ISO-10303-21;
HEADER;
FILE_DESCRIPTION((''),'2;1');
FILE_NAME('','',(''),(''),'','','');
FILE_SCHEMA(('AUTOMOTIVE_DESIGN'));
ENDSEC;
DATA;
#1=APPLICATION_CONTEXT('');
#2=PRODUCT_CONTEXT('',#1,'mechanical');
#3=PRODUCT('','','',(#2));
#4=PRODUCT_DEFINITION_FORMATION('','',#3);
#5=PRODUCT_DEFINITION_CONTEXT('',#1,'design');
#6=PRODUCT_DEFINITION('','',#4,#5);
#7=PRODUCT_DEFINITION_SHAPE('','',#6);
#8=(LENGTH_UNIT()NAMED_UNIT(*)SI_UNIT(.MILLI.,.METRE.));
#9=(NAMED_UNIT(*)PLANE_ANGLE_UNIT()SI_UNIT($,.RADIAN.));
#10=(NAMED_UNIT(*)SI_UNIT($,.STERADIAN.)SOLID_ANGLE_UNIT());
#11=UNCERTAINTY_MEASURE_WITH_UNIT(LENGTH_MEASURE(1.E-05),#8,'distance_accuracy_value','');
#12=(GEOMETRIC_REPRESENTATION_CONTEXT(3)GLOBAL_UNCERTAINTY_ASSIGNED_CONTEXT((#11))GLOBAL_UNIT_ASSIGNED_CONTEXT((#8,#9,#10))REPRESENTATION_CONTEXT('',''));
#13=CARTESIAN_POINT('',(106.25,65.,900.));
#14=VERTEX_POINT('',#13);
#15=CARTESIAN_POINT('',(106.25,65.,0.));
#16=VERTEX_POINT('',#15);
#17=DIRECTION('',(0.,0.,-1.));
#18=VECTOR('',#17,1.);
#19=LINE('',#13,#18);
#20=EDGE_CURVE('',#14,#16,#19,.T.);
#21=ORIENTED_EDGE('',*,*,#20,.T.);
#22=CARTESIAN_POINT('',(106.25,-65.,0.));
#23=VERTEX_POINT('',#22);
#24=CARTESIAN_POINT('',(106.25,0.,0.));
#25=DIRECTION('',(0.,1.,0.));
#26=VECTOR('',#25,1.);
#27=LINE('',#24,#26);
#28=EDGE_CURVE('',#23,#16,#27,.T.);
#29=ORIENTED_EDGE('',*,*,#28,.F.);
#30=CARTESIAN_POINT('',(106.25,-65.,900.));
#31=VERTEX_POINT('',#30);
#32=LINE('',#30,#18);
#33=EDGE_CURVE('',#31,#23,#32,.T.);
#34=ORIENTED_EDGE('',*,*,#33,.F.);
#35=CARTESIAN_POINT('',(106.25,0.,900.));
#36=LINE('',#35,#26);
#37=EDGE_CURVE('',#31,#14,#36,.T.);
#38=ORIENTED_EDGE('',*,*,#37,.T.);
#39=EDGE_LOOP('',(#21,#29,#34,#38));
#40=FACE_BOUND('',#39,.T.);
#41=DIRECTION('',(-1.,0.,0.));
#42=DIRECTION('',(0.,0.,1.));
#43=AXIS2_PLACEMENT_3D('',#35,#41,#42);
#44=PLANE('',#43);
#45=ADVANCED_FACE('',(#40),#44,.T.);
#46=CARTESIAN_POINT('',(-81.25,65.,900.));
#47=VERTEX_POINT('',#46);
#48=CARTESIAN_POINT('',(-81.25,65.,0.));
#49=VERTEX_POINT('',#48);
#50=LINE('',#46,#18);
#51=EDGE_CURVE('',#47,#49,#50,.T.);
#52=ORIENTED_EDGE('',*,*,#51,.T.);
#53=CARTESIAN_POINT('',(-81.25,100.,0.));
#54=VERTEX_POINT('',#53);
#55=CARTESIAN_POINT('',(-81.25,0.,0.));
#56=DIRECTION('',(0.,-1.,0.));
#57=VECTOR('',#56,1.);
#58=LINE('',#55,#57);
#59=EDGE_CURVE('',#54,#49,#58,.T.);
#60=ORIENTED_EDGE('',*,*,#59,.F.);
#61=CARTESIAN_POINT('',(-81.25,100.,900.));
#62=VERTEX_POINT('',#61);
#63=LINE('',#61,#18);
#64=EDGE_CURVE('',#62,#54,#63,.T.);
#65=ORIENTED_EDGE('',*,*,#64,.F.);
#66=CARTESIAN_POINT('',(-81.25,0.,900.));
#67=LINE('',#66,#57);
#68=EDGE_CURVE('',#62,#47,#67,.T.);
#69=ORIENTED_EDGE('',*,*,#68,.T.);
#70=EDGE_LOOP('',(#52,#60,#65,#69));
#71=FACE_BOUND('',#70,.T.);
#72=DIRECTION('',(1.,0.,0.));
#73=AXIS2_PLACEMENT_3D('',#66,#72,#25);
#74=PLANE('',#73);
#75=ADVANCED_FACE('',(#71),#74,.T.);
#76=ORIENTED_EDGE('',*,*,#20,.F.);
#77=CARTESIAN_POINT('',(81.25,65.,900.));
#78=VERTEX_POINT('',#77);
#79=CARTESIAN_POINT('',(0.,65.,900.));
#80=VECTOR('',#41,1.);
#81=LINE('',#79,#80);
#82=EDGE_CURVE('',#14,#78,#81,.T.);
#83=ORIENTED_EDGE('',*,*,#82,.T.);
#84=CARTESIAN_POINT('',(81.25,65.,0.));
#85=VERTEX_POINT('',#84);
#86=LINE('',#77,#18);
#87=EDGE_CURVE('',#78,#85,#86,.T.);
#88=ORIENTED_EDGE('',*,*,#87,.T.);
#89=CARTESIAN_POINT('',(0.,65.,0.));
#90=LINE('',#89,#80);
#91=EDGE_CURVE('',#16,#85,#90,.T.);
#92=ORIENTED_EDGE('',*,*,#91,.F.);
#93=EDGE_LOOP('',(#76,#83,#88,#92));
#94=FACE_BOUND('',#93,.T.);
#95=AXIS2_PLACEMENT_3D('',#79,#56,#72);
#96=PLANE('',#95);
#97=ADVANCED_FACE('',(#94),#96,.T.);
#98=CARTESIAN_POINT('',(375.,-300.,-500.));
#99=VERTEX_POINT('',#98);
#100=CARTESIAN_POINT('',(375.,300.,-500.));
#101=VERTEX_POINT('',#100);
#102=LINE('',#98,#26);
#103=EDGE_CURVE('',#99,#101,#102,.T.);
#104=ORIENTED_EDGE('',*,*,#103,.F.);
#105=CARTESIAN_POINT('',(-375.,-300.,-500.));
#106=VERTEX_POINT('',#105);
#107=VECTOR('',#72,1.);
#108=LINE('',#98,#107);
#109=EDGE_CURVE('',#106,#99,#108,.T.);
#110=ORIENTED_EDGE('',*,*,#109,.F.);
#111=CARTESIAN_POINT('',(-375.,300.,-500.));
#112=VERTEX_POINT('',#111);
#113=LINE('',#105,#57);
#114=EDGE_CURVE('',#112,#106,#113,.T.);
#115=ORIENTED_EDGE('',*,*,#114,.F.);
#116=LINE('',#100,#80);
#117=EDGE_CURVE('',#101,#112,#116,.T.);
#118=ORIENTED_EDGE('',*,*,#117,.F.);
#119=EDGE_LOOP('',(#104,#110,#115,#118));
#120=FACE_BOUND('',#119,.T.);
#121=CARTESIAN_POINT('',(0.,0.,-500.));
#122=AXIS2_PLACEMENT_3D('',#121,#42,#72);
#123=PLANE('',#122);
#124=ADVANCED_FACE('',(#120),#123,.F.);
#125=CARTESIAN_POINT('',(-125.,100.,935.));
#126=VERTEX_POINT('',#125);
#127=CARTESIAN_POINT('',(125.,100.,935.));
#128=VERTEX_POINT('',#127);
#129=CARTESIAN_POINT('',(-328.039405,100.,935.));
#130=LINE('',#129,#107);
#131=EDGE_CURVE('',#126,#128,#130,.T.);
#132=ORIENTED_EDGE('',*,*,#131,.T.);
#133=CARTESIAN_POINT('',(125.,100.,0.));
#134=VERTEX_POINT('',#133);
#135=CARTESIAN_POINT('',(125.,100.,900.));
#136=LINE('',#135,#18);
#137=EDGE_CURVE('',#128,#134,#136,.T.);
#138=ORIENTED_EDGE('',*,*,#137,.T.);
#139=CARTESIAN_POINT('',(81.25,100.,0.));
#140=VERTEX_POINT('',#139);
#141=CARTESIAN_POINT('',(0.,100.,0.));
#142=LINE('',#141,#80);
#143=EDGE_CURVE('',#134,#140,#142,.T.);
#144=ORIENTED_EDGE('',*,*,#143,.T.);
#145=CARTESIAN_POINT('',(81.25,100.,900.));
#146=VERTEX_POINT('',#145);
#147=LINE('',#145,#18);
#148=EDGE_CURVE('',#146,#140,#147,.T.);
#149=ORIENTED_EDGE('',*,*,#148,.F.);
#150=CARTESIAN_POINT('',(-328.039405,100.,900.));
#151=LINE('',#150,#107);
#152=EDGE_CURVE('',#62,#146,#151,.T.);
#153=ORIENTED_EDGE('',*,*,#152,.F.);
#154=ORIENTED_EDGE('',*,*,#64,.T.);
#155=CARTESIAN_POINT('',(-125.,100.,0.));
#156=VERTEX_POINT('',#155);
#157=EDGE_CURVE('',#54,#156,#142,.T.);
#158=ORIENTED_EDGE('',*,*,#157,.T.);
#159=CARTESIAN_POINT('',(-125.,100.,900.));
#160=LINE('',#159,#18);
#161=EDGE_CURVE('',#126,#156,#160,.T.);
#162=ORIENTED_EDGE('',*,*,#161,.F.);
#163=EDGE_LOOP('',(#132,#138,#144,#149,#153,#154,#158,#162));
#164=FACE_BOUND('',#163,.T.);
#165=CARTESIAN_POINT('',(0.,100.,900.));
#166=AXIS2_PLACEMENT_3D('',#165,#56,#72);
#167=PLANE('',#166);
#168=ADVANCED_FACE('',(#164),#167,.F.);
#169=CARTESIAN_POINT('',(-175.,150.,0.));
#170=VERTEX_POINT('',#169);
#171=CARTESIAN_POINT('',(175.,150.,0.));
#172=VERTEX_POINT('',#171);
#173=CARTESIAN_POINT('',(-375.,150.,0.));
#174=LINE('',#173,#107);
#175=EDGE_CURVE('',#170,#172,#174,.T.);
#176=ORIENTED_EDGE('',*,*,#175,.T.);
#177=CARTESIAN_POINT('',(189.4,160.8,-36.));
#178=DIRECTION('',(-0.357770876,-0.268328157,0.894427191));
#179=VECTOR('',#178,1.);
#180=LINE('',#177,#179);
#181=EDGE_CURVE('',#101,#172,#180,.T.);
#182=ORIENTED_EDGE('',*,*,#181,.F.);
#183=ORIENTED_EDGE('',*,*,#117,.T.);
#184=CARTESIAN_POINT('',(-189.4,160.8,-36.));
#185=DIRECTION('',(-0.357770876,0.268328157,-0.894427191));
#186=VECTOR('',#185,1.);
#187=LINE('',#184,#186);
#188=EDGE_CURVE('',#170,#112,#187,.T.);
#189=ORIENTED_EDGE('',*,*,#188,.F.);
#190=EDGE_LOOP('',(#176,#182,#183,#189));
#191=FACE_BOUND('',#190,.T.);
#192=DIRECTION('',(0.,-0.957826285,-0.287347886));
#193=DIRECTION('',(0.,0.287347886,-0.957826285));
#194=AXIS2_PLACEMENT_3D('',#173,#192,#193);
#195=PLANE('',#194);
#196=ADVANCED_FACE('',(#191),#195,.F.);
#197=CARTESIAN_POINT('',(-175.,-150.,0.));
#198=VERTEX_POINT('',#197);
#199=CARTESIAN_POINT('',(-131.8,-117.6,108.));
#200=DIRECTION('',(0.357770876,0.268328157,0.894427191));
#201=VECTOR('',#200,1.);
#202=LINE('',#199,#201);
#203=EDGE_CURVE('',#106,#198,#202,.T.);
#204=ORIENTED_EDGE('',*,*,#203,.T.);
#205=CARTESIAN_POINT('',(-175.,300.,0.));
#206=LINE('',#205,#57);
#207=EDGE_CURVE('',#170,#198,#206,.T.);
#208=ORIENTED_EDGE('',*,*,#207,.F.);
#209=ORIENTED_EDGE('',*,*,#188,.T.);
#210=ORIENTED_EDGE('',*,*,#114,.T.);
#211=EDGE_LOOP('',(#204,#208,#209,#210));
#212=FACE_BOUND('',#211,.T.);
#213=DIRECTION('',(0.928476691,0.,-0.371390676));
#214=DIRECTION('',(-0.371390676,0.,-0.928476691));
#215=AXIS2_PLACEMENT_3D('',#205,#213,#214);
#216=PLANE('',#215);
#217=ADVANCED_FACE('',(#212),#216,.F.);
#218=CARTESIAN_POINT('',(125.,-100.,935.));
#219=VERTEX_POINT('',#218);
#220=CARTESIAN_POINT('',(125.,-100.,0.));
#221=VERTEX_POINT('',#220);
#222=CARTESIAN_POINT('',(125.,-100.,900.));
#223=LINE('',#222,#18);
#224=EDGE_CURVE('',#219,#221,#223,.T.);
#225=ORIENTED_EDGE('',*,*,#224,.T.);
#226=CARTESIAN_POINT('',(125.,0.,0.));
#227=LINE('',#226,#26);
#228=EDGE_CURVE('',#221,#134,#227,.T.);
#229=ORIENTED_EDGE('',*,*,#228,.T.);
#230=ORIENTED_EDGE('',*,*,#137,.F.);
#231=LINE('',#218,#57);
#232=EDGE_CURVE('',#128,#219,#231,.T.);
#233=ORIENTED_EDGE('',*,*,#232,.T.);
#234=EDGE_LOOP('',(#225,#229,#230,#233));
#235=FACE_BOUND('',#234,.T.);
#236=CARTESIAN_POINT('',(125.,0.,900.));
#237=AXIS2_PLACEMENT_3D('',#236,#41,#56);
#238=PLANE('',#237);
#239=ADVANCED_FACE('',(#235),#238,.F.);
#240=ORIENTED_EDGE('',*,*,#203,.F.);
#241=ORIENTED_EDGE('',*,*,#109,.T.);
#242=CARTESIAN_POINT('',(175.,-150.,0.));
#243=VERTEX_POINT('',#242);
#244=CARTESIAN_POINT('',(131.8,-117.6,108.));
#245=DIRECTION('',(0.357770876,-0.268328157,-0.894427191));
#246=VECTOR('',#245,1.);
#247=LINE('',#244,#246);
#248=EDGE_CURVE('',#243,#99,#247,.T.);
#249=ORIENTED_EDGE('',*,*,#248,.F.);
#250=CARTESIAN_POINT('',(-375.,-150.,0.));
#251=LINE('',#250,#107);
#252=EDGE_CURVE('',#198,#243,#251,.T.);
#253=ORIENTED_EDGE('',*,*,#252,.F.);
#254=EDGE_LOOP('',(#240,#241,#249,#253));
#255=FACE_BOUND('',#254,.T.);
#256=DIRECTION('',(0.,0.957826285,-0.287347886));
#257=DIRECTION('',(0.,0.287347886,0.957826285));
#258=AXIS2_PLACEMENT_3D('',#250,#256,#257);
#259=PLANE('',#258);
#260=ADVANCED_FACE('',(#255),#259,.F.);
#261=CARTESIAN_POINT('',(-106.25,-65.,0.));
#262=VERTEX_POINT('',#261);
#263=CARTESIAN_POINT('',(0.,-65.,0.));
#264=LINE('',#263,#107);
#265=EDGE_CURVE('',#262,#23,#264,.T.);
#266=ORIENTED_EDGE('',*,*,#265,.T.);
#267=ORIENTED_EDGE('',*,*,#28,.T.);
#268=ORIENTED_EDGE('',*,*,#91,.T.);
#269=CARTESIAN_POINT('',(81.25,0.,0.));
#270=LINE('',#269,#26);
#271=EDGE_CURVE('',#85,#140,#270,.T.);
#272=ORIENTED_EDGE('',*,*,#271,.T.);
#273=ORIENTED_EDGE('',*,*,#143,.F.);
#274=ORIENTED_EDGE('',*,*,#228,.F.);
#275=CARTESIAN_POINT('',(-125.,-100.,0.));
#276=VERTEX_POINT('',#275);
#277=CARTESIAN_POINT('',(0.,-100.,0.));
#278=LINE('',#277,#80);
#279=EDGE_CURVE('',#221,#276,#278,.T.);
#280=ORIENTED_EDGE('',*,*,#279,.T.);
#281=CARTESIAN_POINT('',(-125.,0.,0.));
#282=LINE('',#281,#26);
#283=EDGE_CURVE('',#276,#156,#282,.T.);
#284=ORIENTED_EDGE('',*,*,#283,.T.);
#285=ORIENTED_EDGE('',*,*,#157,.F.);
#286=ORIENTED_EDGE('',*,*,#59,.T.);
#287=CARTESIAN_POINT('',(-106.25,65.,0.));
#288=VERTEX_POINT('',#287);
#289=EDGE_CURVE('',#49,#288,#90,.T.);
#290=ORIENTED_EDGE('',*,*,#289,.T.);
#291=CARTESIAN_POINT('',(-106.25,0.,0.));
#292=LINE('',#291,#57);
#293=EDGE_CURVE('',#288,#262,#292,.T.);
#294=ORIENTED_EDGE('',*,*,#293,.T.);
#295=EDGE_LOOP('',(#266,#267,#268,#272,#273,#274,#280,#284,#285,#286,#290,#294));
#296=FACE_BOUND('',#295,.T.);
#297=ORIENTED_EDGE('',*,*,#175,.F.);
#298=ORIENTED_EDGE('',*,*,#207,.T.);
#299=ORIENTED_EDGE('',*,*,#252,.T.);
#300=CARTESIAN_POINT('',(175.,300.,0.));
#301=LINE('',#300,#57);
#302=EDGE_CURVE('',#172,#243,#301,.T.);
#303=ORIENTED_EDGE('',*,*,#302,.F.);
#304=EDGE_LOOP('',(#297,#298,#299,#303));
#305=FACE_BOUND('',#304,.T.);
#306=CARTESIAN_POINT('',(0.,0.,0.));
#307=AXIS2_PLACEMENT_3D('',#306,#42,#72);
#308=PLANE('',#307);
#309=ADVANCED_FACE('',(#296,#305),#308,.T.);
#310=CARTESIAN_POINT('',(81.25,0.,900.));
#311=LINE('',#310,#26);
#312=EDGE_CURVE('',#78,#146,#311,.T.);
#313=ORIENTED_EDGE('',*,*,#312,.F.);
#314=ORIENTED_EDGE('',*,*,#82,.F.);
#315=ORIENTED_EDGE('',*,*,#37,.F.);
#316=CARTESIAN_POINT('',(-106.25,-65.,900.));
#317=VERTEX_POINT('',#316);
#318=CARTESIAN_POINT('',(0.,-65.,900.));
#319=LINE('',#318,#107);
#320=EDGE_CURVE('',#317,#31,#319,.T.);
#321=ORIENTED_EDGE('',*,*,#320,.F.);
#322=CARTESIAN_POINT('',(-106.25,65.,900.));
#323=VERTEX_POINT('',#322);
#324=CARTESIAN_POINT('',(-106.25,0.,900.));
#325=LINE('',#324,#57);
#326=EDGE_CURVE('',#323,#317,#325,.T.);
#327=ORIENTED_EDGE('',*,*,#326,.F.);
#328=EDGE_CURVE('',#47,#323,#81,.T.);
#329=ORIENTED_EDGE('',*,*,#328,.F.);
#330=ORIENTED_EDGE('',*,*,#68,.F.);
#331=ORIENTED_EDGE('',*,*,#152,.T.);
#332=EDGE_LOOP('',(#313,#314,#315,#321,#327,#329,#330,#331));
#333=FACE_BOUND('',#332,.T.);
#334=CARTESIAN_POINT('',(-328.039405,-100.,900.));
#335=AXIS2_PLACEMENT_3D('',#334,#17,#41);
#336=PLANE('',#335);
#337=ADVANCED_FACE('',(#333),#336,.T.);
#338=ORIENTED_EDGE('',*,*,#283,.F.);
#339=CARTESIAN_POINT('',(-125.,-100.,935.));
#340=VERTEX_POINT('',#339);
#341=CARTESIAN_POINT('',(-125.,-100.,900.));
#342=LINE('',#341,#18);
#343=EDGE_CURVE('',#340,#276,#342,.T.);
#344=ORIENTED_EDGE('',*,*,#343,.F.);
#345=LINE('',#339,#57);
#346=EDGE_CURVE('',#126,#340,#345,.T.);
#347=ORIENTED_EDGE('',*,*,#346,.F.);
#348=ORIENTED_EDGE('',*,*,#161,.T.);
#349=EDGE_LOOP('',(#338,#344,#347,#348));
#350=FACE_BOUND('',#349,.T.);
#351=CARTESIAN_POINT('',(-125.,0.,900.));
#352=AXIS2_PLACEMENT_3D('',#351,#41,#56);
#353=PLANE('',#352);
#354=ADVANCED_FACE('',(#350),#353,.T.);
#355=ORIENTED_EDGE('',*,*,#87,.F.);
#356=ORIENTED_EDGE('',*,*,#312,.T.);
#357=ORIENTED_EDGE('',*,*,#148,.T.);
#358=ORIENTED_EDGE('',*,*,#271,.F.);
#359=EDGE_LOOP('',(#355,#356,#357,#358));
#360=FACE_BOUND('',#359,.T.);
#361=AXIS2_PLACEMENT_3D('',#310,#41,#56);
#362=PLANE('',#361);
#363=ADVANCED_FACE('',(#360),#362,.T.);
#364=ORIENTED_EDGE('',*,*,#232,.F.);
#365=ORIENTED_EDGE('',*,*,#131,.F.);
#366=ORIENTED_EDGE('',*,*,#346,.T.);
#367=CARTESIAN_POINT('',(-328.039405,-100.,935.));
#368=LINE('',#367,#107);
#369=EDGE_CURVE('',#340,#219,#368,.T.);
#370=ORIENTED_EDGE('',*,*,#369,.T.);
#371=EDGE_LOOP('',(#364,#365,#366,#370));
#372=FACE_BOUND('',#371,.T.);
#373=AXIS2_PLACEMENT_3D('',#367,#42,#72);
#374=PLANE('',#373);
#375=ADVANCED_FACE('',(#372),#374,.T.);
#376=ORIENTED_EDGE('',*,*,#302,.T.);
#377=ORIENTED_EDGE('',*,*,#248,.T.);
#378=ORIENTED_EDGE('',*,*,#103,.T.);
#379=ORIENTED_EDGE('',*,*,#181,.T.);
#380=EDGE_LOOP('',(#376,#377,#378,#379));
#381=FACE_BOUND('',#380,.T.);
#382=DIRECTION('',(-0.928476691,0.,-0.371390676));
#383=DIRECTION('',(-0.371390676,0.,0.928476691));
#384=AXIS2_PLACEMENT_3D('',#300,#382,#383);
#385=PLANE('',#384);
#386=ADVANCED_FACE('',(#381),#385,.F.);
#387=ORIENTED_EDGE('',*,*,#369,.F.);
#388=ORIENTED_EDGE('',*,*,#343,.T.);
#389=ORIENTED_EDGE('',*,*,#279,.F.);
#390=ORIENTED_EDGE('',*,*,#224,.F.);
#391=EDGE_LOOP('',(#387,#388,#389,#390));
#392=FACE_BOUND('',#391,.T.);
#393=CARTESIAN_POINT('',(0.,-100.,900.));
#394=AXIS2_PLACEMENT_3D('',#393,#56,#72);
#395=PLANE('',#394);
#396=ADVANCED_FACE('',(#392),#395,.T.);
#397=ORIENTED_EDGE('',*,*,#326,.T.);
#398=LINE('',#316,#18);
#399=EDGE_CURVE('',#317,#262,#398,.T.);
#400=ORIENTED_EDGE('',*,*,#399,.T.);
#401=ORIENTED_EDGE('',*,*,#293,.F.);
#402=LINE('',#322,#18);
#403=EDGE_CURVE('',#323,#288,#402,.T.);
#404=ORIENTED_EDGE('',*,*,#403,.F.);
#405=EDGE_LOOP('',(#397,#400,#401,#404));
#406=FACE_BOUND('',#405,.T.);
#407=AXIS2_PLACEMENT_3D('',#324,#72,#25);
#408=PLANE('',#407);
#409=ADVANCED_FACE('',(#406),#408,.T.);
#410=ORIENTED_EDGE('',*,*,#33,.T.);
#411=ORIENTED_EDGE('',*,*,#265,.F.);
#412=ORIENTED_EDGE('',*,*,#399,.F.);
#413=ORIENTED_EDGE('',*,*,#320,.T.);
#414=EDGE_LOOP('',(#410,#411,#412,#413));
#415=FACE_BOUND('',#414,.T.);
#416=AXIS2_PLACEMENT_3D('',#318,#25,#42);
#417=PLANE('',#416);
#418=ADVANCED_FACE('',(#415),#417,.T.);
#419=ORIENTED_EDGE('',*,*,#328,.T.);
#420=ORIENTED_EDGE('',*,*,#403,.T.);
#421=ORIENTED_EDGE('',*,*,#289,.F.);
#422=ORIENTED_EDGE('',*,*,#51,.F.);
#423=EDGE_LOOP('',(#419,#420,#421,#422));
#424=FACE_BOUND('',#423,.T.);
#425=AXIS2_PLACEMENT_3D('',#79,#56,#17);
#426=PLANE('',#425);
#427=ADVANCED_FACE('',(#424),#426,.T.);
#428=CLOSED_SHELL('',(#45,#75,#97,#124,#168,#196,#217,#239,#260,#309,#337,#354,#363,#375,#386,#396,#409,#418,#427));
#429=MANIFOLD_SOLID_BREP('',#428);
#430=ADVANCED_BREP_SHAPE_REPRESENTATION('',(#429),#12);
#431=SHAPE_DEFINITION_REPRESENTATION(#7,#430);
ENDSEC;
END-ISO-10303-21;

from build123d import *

# Parameters (mm, degrees)
SKETCH2_W           = 750
SKETCH2_H           = 600
BOSS_EXTRUDE1_DEPTH = 500
CUT_EXTRUDE2_DEPTH  = 867.386172558
CUT_EXTRUDE3_DEPTH  = 951
BOSS_EXTRUDE2_DEPTH = 900
SKETCH6_W           = 35
SKETCH6_H           = 200
BOSS_EXTRUDE3_DEPTH = 250


with BuildPart() as part:
    # Sketch2 → Boss-Extrude1 (new body)
    with BuildSketch(Plane.XY):
        Rectangle(SKETCH2_W, SKETCH2_H)
    extrude(amount=-BOSS_EXTRUDE1_DEPTH)

    # Sketch3 → Cut-Extrude2 (cut, through all)
    with BuildSketch(Plane.XZ.offset(300)):
        Polygon((-375, -500), (-375, 0), (-175, 0), align=None)
        Polygon((375, 0), (175, 0), (375, -500), align=None)
    extrude(amount=-CUT_EXTRUDE2_DEPTH, mode=Mode.SUBTRACT)

    # Sketch4 → Cut-Extrude3 (cut, through all)
    with BuildSketch(Plane(origin=(375, 0, 0), x_dir=(0, 0, -1), z_dir=(1, 0, 0))):
        Polygon((500, -300), (0, -300), (0, -150), align=None)
        Polygon((0, 300), (0, 150), (500, 300), align=None)
    extrude(amount=-CUT_EXTRUDE3_DEPTH, mode=Mode.SUBTRACT)

    # Sketch5 → Boss-Extrude2 (add)
    with BuildSketch(Plane.XY):
        Polygon((-81.25, 65), (-81.25, 100), (-125, 100), (-125, -100), (-81.25, -100), (81.25, -100), (125, -100), (125, 100), (81.25, 100), (81.25, 65), (106.25, 65), (106.25, -65), (81.25, -65), (-81.25, -65), (-106.25, -65), (-106.25, 65), align=None)
    extrude(amount=BOSS_EXTRUDE2_DEPTH)

    # Sketch6 → Boss-Extrude3 (add)
    with BuildSketch(Plane(origin=(125, 0, 0), x_dir=(0, 0, -1), z_dir=(1, 0, 0))):
        with Locations((-917.5, 0)):
            Rectangle(SKETCH6_W, SKETCH6_H)
    extrude(amount=-BOSS_EXTRUDE3_DEPTH)


solid = part.part
